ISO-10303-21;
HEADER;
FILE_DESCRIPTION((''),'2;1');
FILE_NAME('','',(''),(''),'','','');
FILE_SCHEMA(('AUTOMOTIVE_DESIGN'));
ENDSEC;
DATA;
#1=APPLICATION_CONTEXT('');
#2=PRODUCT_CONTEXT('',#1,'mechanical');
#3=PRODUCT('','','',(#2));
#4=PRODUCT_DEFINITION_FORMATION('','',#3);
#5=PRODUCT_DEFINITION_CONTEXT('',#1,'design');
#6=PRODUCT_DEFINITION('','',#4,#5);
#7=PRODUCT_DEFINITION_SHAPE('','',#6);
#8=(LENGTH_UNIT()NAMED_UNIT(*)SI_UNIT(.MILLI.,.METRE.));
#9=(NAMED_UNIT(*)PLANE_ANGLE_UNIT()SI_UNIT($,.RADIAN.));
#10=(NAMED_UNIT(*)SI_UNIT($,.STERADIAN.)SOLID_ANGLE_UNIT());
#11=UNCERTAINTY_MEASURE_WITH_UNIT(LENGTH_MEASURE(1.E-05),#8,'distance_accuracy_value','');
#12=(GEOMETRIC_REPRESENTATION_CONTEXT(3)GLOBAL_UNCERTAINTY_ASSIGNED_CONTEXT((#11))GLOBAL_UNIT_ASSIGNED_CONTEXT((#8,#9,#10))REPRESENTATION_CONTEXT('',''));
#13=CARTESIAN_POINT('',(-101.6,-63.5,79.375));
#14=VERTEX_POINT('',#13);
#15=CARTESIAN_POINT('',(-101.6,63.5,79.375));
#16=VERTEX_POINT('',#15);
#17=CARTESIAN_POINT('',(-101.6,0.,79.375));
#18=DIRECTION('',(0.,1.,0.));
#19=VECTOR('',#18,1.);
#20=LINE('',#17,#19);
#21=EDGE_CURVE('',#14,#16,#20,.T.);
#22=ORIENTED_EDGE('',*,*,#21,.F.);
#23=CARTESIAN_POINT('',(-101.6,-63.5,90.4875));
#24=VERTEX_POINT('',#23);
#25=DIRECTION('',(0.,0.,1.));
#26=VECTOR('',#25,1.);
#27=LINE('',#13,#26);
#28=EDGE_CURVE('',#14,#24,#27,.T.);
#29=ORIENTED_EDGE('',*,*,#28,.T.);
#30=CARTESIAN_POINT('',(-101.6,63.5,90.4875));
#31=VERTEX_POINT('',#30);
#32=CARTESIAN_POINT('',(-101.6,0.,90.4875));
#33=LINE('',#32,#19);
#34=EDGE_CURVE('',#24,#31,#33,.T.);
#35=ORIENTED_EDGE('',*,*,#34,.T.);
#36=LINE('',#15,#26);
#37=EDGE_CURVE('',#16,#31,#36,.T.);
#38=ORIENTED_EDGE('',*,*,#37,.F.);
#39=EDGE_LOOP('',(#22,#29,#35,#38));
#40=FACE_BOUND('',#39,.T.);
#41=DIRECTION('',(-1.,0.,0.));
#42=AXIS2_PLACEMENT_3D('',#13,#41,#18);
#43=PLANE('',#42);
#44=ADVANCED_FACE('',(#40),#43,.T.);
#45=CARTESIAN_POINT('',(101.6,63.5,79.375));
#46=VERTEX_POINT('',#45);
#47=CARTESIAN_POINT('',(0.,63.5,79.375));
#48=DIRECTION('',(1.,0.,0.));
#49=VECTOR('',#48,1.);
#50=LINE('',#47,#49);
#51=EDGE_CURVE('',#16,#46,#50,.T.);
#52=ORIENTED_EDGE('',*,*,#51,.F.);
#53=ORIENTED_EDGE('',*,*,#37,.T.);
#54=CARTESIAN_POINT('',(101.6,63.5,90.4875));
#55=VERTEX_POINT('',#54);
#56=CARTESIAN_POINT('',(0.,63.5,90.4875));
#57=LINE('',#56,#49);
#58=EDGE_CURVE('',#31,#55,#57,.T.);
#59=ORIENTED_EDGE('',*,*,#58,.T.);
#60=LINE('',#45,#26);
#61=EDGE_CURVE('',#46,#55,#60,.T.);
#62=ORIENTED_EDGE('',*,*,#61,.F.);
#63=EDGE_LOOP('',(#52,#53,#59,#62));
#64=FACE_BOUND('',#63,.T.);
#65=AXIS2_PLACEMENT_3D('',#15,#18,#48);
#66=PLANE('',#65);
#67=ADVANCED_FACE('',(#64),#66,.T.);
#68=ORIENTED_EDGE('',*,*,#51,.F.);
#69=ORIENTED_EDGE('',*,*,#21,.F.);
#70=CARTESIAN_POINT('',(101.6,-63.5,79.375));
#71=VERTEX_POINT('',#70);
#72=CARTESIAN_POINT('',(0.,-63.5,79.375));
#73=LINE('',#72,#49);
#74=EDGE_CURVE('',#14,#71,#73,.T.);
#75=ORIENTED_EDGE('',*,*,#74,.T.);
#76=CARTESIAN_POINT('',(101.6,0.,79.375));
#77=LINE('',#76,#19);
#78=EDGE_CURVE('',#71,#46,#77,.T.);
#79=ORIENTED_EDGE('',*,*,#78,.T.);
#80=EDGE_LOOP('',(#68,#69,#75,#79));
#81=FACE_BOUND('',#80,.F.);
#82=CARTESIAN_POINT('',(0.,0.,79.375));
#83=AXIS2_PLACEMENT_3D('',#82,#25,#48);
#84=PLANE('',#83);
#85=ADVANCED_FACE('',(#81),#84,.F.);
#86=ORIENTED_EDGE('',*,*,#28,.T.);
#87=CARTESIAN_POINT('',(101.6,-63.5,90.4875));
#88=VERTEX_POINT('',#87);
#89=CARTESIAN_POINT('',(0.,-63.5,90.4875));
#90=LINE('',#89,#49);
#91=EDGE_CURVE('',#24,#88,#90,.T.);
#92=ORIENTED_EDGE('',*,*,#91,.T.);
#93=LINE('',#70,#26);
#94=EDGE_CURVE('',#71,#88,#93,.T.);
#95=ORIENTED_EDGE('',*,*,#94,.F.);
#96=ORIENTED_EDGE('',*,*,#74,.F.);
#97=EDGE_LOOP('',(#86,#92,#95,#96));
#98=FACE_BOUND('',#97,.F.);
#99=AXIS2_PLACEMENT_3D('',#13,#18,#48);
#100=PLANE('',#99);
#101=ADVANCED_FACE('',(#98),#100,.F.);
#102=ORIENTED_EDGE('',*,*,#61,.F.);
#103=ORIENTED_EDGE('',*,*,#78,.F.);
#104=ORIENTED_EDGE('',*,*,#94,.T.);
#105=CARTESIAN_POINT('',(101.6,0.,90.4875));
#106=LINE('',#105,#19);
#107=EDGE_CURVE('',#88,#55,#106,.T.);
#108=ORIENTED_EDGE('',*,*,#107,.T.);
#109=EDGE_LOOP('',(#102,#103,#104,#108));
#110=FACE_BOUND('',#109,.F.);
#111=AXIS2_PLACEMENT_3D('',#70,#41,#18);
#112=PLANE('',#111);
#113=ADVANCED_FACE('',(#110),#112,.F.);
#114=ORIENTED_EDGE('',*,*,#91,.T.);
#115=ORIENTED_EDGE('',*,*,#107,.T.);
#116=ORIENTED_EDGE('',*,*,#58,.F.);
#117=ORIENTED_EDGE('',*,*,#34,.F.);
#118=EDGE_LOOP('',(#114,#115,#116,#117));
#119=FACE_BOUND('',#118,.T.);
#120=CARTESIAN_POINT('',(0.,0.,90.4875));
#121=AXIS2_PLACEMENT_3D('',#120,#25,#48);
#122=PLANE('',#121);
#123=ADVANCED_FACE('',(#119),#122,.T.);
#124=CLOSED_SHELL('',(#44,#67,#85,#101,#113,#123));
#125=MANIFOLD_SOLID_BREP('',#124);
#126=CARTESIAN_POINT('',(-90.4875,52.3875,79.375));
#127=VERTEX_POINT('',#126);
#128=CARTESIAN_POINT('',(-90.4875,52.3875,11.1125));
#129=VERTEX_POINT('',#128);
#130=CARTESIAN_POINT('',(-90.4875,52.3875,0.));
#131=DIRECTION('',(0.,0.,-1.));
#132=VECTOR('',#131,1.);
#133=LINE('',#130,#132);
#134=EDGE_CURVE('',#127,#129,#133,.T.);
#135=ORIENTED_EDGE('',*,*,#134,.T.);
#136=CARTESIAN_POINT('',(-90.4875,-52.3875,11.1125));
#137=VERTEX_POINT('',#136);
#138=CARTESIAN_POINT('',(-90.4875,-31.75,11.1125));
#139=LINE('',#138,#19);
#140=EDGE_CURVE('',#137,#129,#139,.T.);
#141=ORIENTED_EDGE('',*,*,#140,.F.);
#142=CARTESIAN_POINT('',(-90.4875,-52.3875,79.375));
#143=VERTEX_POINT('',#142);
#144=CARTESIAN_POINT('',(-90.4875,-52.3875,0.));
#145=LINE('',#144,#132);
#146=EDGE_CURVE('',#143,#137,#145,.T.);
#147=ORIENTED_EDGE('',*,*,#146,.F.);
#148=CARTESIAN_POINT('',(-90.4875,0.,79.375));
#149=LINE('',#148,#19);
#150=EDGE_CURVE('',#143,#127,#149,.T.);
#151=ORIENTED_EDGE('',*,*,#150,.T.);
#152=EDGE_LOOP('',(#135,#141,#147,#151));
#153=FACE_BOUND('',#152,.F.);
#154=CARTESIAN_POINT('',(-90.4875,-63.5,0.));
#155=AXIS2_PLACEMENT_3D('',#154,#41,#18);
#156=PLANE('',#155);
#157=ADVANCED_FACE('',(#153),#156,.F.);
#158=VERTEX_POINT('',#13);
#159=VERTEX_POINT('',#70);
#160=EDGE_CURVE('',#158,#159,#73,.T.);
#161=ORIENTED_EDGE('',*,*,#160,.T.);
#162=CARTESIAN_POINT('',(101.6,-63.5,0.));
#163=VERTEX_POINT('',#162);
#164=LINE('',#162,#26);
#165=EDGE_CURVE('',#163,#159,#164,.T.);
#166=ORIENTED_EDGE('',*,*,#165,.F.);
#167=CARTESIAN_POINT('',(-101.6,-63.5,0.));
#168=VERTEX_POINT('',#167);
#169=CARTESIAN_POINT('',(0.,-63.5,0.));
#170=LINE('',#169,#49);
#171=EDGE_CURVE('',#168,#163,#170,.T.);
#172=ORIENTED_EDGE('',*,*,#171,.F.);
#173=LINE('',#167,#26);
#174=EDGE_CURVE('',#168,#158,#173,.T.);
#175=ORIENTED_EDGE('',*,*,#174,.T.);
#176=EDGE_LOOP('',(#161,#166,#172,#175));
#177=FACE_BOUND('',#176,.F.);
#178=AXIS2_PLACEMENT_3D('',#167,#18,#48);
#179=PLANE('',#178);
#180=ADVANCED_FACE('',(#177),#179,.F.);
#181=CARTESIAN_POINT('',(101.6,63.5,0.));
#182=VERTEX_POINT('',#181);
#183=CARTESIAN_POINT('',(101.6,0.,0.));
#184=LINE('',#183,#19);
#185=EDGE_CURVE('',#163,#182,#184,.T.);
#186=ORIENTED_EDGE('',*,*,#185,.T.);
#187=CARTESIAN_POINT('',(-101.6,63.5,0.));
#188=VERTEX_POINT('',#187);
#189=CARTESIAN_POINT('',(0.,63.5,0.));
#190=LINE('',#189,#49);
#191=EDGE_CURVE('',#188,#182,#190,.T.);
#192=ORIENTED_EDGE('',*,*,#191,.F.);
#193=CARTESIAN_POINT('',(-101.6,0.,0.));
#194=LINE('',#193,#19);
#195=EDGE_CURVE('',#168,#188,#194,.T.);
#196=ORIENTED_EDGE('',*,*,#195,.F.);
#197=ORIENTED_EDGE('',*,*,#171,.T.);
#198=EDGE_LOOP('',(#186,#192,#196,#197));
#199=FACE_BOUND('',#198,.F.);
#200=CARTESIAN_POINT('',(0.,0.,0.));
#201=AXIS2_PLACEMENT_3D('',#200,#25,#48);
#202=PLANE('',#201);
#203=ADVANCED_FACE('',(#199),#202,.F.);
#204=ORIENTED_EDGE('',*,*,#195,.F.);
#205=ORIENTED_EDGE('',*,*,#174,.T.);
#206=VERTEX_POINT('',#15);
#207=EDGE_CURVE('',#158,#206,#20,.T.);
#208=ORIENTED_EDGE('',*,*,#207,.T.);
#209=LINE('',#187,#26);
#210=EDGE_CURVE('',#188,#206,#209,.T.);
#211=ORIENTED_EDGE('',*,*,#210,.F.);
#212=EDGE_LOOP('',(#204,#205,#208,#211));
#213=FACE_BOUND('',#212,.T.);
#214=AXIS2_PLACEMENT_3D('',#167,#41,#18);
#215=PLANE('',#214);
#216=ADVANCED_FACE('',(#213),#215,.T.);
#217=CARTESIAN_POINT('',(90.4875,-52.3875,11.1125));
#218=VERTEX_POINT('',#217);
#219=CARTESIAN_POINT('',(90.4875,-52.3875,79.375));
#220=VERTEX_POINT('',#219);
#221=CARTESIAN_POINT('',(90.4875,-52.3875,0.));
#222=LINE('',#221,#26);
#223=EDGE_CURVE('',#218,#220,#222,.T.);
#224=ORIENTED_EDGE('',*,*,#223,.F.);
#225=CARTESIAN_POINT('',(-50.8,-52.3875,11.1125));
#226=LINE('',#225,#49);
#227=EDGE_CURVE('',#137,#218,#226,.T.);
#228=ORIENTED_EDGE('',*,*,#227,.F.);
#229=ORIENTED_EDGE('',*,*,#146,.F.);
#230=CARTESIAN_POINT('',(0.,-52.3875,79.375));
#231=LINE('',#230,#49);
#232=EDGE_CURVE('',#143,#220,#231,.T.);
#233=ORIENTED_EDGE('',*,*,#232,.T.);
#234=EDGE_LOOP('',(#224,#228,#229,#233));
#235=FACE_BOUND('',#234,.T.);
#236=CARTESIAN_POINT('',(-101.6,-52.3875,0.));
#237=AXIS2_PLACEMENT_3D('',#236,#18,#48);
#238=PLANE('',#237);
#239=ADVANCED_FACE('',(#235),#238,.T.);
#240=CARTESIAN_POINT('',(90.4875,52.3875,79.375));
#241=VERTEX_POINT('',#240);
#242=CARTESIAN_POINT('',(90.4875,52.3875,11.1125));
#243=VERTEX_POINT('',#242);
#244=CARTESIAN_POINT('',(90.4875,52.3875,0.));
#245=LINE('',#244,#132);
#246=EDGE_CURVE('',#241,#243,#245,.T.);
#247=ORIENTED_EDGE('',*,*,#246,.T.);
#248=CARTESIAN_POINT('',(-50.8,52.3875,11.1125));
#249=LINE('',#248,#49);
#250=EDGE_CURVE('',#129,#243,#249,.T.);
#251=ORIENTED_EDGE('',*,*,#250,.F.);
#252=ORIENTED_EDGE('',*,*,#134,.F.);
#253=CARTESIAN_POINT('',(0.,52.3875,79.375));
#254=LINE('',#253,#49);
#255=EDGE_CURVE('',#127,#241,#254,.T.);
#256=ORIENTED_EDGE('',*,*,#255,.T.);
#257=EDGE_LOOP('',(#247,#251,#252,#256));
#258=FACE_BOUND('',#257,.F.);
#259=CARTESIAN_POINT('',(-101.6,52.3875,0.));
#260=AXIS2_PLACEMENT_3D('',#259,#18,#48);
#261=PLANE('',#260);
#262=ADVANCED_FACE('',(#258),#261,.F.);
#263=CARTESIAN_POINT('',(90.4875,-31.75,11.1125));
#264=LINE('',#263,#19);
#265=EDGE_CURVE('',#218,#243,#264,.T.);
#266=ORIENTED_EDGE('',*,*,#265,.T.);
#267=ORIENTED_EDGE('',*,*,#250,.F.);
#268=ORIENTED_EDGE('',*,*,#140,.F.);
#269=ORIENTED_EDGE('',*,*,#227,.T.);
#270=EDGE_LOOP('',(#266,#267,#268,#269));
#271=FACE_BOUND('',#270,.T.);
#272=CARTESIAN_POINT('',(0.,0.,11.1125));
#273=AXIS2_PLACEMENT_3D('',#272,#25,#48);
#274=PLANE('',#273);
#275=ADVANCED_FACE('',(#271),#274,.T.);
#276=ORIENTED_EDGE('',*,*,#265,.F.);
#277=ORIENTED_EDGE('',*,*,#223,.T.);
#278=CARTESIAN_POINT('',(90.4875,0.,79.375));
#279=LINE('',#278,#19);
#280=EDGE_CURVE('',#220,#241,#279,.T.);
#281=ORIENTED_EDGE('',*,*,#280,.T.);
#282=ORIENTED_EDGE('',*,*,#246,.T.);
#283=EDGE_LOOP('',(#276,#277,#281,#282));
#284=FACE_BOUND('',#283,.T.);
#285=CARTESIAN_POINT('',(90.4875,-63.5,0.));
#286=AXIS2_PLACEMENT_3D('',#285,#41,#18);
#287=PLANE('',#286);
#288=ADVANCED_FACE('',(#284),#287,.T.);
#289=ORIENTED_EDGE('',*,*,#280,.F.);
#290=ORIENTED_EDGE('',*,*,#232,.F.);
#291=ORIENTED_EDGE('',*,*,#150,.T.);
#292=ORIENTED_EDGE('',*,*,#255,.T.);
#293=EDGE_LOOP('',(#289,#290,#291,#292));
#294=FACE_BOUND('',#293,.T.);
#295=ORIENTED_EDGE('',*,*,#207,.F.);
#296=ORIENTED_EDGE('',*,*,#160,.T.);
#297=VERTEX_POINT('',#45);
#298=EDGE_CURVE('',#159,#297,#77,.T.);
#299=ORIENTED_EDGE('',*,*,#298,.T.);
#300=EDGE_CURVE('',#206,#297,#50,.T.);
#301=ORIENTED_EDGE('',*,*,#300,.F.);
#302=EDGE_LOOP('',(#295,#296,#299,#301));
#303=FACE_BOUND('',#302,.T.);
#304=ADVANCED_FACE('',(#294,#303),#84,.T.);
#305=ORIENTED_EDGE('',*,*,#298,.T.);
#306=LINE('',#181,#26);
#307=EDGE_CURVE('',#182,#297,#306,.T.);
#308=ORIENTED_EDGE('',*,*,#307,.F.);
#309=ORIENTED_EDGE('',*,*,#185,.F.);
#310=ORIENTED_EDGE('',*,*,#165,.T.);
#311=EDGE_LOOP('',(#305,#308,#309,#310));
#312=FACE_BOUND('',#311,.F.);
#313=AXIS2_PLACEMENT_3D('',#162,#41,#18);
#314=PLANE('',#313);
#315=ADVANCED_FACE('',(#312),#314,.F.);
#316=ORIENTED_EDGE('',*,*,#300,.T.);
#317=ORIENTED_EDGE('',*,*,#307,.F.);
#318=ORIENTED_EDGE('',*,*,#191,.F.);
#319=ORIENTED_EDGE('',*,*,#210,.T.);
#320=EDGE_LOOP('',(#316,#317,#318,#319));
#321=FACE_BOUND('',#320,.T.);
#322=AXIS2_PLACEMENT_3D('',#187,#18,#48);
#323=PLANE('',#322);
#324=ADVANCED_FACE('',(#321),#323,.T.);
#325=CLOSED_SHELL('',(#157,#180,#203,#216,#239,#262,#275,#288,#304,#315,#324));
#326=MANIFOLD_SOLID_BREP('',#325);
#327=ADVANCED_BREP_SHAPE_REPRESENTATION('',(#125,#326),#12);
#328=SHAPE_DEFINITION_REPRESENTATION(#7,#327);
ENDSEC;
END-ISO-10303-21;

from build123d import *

# Parameters (mm, degrees)
F0_W     = 203.2
F0_H     = 127
F1_DEPTH = 79.375
F2_T     = -11.1125
F3_W     = 203.2
F3_H     = 127
F4_DEPTH = 11.1125


with BuildPart() as f1:
    # F0 (on Top) → F1 (new body)
    with BuildSketch(Plane.XY):
        Rectangle(F0_W, F0_H)
    extrude(amount=F1_DEPTH)

    # F2
    f2_openings = [f1.faces().sort_by_distance(p)[0] for p in [
        (0, 0, 79.375),
    ]]
    offset(amount=F2_T, openings=f2_openings)


with BuildPart() as f4:
    # F3 (on face) → F4 (new body)
    with BuildSketch(Plane.XY.offset(79.375)):
        Rectangle(F3_W, F3_H)
    extrude(amount=F4_DEPTH)


solid = Compound([f1.part, f4.part])
